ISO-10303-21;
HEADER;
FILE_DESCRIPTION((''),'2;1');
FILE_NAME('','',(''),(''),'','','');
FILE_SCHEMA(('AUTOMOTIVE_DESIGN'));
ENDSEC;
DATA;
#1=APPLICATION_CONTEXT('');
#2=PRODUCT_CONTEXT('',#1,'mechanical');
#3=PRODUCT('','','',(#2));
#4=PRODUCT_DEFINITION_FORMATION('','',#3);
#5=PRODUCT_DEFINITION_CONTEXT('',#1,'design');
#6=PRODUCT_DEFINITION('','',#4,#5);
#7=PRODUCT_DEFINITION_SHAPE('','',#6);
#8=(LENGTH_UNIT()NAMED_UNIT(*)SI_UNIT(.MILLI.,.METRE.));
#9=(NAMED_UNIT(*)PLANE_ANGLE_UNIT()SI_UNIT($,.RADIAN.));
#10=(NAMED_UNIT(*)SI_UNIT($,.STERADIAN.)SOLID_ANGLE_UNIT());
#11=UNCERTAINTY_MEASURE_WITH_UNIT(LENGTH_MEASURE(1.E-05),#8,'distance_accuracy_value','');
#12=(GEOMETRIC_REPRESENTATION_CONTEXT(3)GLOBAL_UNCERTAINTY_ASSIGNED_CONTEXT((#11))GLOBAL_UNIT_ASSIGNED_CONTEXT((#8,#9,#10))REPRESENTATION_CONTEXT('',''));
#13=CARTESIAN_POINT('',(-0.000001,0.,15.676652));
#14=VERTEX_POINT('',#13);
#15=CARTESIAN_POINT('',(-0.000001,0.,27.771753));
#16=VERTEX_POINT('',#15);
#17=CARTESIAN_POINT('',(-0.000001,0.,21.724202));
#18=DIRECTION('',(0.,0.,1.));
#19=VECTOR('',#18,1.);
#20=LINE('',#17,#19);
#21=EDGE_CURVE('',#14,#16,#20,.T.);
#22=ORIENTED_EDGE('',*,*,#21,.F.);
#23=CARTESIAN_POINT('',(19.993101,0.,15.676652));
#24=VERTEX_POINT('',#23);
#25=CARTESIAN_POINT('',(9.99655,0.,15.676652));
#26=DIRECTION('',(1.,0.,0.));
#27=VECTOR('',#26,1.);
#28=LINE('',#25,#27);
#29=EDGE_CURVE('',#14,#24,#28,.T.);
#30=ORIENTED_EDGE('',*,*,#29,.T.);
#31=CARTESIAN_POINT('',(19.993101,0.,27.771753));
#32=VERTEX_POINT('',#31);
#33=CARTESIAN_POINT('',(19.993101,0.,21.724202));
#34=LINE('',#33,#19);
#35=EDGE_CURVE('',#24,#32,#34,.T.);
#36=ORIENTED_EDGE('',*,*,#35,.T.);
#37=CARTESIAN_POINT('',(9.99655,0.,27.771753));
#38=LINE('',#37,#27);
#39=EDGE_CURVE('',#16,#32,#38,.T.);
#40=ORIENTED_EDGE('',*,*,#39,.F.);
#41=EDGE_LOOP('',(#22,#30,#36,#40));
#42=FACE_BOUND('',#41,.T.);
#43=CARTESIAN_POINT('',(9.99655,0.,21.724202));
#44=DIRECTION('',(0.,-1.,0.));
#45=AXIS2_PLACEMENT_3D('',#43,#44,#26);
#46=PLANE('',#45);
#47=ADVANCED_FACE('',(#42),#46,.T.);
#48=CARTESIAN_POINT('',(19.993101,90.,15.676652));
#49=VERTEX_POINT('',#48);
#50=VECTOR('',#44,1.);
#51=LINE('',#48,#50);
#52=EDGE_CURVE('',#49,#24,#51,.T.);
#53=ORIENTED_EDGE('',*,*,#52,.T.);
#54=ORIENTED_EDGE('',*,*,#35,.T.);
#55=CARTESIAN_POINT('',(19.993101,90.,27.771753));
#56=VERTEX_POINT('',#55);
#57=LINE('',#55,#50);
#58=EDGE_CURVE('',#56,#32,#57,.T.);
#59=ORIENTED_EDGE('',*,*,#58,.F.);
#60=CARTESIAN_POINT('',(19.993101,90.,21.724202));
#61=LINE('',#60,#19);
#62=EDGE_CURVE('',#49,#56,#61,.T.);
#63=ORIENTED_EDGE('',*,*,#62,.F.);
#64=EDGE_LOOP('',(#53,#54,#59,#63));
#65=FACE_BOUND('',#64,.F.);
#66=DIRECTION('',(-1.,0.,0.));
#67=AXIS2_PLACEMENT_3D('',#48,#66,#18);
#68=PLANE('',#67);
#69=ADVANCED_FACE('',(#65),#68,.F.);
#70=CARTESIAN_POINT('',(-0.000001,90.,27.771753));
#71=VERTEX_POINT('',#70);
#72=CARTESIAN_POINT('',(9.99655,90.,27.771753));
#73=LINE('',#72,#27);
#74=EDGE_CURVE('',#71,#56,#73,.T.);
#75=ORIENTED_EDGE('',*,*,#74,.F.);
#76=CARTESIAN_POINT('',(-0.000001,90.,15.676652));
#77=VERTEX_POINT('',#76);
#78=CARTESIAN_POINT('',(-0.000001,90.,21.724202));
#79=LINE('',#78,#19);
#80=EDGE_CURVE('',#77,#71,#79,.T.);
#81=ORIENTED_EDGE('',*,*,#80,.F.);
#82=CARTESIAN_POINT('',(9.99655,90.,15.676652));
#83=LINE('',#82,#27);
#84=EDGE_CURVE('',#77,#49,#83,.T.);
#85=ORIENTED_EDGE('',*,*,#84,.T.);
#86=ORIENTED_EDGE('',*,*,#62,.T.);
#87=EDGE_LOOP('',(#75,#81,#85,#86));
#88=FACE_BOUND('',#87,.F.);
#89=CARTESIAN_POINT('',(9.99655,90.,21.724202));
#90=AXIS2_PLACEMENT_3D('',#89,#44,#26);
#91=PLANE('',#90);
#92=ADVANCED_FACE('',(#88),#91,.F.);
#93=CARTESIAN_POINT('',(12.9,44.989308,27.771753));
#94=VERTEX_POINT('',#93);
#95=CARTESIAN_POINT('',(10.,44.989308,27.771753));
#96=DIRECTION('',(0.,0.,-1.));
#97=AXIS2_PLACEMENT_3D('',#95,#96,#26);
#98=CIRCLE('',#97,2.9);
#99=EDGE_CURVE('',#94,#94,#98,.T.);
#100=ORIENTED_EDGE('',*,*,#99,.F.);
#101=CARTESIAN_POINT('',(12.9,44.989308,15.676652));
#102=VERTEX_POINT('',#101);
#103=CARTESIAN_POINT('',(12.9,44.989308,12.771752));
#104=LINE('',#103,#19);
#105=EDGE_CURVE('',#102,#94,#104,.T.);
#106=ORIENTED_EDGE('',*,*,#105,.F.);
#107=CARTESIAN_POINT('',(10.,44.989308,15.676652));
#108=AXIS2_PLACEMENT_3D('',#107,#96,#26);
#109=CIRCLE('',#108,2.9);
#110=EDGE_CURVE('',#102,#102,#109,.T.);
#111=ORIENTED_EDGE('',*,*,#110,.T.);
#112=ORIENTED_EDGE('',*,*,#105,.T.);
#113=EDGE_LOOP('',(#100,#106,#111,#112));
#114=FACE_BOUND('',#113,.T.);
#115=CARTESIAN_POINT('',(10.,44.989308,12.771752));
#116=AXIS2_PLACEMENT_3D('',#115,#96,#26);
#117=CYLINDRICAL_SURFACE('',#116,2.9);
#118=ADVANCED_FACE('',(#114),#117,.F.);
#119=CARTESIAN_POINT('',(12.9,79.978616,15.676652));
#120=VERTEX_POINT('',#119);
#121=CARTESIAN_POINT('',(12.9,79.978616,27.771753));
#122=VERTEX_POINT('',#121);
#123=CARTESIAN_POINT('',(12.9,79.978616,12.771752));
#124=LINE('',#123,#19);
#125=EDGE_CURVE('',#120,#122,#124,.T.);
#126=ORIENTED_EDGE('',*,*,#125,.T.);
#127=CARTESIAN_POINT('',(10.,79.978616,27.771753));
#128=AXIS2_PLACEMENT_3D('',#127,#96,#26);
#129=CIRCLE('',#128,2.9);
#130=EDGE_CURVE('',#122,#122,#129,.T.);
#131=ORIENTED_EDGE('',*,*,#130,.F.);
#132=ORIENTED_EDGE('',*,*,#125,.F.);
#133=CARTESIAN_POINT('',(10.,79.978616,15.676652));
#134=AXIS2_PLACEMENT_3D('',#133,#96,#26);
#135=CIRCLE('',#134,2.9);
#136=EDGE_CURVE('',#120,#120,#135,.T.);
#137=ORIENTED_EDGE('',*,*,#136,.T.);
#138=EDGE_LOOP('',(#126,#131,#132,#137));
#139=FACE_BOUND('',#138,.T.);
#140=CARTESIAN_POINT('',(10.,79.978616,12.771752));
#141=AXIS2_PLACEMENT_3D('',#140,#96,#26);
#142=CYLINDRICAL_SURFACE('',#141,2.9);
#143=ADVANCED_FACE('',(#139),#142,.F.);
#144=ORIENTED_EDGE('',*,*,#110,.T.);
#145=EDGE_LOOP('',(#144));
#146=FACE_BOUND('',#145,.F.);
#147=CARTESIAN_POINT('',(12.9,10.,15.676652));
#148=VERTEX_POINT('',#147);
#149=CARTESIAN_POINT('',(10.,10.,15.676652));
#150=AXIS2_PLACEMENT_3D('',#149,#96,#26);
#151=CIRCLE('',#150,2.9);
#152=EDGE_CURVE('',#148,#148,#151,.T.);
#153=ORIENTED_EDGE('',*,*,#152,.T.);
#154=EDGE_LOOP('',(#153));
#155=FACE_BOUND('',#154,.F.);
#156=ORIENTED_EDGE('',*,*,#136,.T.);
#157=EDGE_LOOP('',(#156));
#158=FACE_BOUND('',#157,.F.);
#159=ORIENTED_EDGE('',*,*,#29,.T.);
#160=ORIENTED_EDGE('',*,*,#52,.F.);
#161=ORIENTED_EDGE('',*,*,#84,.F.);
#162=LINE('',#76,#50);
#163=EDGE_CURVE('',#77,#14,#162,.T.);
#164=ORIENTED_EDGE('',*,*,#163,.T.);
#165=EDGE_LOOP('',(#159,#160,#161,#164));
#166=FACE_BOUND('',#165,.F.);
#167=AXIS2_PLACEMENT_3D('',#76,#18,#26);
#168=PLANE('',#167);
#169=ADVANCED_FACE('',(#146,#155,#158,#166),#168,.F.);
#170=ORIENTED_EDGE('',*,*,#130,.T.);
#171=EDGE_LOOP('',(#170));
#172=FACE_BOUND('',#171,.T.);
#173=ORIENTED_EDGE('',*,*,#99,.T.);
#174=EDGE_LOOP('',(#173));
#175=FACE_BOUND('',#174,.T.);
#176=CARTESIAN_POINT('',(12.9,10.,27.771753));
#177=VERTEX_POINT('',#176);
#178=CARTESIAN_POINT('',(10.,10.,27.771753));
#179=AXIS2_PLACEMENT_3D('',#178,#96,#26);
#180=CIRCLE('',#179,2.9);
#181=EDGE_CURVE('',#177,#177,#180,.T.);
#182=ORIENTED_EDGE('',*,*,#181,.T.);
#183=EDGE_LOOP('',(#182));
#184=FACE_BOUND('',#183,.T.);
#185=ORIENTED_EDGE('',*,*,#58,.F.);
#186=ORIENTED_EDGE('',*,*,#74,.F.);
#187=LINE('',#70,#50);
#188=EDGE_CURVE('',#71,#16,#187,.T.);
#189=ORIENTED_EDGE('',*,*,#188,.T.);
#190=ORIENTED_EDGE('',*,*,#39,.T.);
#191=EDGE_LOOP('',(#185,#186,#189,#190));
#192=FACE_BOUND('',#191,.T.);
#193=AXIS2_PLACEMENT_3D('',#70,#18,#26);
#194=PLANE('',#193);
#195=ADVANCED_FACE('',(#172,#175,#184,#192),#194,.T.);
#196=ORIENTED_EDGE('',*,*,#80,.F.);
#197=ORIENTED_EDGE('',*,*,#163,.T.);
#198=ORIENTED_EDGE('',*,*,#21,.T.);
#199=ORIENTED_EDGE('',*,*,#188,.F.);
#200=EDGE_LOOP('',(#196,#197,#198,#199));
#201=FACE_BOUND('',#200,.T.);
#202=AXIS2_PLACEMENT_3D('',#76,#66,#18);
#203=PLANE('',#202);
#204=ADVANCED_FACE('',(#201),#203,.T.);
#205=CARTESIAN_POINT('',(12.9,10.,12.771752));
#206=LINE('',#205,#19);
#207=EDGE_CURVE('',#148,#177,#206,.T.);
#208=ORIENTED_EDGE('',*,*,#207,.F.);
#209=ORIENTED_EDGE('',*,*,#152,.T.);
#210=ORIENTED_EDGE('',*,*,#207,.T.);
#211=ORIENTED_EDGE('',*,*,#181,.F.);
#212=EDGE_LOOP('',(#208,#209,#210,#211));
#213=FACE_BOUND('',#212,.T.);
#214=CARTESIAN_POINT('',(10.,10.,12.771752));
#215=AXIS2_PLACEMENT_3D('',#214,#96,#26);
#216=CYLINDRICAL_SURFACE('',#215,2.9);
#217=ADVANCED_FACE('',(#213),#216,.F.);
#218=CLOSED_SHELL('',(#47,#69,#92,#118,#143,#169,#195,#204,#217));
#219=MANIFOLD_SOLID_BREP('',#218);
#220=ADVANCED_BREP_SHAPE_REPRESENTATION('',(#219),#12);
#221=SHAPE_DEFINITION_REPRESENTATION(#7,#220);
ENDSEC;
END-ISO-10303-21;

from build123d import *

# Parameters (mm, degrees)
SKETCH010_R      = 2.9
EXTRUDE010_DEPTH = 20
SKETCH009_W      = 19.993101
SKETCH009_H      = 12.095101
EXTRUDE009_DEPTH = 90


with BuildPart() as tornillos003:
    # Sketch010 (on Face4 of Extrude009) → Extrude010 (new body)
    with BuildSketch(Plane.XY.offset(20.871752)):
        with Locations((10, -80)):
            Circle(SKETCH010_R)
        with Locations((10, -45.010692)):
            Circle(SKETCH010_R)
        with Locations((10, -10.021384)):
            Circle(SKETCH010_R)
    extrude(amount=EXTRUDE010_DEPTH)


with BuildPart() as tornillos003_1:
    # Extrude010 placement: moved
    add(tornillos003.part.moved(Location((0, 0, -15))))


with BuildPart() as soporte_imprimir:
    # Sketch009 → Extrude009 (new body)
    with BuildSketch(Plane.XZ):
        with Locations((9.99655, 14.824202)):
            Rectangle(SKETCH009_W, SKETCH009_H)
    extrude(amount=EXTRUDE009_DEPTH)

    # Cut003: cut Tornillos003
    add(tornillos003_1.part, mode=Mode.SUBTRACT)


with BuildPart() as soporte_imprimir_1:
    # Cut003 placement: moved
    add(soporte_imprimir.part.moved(Location((0, 90, 6.9))))


solid = soporte_imprimir_1.part
